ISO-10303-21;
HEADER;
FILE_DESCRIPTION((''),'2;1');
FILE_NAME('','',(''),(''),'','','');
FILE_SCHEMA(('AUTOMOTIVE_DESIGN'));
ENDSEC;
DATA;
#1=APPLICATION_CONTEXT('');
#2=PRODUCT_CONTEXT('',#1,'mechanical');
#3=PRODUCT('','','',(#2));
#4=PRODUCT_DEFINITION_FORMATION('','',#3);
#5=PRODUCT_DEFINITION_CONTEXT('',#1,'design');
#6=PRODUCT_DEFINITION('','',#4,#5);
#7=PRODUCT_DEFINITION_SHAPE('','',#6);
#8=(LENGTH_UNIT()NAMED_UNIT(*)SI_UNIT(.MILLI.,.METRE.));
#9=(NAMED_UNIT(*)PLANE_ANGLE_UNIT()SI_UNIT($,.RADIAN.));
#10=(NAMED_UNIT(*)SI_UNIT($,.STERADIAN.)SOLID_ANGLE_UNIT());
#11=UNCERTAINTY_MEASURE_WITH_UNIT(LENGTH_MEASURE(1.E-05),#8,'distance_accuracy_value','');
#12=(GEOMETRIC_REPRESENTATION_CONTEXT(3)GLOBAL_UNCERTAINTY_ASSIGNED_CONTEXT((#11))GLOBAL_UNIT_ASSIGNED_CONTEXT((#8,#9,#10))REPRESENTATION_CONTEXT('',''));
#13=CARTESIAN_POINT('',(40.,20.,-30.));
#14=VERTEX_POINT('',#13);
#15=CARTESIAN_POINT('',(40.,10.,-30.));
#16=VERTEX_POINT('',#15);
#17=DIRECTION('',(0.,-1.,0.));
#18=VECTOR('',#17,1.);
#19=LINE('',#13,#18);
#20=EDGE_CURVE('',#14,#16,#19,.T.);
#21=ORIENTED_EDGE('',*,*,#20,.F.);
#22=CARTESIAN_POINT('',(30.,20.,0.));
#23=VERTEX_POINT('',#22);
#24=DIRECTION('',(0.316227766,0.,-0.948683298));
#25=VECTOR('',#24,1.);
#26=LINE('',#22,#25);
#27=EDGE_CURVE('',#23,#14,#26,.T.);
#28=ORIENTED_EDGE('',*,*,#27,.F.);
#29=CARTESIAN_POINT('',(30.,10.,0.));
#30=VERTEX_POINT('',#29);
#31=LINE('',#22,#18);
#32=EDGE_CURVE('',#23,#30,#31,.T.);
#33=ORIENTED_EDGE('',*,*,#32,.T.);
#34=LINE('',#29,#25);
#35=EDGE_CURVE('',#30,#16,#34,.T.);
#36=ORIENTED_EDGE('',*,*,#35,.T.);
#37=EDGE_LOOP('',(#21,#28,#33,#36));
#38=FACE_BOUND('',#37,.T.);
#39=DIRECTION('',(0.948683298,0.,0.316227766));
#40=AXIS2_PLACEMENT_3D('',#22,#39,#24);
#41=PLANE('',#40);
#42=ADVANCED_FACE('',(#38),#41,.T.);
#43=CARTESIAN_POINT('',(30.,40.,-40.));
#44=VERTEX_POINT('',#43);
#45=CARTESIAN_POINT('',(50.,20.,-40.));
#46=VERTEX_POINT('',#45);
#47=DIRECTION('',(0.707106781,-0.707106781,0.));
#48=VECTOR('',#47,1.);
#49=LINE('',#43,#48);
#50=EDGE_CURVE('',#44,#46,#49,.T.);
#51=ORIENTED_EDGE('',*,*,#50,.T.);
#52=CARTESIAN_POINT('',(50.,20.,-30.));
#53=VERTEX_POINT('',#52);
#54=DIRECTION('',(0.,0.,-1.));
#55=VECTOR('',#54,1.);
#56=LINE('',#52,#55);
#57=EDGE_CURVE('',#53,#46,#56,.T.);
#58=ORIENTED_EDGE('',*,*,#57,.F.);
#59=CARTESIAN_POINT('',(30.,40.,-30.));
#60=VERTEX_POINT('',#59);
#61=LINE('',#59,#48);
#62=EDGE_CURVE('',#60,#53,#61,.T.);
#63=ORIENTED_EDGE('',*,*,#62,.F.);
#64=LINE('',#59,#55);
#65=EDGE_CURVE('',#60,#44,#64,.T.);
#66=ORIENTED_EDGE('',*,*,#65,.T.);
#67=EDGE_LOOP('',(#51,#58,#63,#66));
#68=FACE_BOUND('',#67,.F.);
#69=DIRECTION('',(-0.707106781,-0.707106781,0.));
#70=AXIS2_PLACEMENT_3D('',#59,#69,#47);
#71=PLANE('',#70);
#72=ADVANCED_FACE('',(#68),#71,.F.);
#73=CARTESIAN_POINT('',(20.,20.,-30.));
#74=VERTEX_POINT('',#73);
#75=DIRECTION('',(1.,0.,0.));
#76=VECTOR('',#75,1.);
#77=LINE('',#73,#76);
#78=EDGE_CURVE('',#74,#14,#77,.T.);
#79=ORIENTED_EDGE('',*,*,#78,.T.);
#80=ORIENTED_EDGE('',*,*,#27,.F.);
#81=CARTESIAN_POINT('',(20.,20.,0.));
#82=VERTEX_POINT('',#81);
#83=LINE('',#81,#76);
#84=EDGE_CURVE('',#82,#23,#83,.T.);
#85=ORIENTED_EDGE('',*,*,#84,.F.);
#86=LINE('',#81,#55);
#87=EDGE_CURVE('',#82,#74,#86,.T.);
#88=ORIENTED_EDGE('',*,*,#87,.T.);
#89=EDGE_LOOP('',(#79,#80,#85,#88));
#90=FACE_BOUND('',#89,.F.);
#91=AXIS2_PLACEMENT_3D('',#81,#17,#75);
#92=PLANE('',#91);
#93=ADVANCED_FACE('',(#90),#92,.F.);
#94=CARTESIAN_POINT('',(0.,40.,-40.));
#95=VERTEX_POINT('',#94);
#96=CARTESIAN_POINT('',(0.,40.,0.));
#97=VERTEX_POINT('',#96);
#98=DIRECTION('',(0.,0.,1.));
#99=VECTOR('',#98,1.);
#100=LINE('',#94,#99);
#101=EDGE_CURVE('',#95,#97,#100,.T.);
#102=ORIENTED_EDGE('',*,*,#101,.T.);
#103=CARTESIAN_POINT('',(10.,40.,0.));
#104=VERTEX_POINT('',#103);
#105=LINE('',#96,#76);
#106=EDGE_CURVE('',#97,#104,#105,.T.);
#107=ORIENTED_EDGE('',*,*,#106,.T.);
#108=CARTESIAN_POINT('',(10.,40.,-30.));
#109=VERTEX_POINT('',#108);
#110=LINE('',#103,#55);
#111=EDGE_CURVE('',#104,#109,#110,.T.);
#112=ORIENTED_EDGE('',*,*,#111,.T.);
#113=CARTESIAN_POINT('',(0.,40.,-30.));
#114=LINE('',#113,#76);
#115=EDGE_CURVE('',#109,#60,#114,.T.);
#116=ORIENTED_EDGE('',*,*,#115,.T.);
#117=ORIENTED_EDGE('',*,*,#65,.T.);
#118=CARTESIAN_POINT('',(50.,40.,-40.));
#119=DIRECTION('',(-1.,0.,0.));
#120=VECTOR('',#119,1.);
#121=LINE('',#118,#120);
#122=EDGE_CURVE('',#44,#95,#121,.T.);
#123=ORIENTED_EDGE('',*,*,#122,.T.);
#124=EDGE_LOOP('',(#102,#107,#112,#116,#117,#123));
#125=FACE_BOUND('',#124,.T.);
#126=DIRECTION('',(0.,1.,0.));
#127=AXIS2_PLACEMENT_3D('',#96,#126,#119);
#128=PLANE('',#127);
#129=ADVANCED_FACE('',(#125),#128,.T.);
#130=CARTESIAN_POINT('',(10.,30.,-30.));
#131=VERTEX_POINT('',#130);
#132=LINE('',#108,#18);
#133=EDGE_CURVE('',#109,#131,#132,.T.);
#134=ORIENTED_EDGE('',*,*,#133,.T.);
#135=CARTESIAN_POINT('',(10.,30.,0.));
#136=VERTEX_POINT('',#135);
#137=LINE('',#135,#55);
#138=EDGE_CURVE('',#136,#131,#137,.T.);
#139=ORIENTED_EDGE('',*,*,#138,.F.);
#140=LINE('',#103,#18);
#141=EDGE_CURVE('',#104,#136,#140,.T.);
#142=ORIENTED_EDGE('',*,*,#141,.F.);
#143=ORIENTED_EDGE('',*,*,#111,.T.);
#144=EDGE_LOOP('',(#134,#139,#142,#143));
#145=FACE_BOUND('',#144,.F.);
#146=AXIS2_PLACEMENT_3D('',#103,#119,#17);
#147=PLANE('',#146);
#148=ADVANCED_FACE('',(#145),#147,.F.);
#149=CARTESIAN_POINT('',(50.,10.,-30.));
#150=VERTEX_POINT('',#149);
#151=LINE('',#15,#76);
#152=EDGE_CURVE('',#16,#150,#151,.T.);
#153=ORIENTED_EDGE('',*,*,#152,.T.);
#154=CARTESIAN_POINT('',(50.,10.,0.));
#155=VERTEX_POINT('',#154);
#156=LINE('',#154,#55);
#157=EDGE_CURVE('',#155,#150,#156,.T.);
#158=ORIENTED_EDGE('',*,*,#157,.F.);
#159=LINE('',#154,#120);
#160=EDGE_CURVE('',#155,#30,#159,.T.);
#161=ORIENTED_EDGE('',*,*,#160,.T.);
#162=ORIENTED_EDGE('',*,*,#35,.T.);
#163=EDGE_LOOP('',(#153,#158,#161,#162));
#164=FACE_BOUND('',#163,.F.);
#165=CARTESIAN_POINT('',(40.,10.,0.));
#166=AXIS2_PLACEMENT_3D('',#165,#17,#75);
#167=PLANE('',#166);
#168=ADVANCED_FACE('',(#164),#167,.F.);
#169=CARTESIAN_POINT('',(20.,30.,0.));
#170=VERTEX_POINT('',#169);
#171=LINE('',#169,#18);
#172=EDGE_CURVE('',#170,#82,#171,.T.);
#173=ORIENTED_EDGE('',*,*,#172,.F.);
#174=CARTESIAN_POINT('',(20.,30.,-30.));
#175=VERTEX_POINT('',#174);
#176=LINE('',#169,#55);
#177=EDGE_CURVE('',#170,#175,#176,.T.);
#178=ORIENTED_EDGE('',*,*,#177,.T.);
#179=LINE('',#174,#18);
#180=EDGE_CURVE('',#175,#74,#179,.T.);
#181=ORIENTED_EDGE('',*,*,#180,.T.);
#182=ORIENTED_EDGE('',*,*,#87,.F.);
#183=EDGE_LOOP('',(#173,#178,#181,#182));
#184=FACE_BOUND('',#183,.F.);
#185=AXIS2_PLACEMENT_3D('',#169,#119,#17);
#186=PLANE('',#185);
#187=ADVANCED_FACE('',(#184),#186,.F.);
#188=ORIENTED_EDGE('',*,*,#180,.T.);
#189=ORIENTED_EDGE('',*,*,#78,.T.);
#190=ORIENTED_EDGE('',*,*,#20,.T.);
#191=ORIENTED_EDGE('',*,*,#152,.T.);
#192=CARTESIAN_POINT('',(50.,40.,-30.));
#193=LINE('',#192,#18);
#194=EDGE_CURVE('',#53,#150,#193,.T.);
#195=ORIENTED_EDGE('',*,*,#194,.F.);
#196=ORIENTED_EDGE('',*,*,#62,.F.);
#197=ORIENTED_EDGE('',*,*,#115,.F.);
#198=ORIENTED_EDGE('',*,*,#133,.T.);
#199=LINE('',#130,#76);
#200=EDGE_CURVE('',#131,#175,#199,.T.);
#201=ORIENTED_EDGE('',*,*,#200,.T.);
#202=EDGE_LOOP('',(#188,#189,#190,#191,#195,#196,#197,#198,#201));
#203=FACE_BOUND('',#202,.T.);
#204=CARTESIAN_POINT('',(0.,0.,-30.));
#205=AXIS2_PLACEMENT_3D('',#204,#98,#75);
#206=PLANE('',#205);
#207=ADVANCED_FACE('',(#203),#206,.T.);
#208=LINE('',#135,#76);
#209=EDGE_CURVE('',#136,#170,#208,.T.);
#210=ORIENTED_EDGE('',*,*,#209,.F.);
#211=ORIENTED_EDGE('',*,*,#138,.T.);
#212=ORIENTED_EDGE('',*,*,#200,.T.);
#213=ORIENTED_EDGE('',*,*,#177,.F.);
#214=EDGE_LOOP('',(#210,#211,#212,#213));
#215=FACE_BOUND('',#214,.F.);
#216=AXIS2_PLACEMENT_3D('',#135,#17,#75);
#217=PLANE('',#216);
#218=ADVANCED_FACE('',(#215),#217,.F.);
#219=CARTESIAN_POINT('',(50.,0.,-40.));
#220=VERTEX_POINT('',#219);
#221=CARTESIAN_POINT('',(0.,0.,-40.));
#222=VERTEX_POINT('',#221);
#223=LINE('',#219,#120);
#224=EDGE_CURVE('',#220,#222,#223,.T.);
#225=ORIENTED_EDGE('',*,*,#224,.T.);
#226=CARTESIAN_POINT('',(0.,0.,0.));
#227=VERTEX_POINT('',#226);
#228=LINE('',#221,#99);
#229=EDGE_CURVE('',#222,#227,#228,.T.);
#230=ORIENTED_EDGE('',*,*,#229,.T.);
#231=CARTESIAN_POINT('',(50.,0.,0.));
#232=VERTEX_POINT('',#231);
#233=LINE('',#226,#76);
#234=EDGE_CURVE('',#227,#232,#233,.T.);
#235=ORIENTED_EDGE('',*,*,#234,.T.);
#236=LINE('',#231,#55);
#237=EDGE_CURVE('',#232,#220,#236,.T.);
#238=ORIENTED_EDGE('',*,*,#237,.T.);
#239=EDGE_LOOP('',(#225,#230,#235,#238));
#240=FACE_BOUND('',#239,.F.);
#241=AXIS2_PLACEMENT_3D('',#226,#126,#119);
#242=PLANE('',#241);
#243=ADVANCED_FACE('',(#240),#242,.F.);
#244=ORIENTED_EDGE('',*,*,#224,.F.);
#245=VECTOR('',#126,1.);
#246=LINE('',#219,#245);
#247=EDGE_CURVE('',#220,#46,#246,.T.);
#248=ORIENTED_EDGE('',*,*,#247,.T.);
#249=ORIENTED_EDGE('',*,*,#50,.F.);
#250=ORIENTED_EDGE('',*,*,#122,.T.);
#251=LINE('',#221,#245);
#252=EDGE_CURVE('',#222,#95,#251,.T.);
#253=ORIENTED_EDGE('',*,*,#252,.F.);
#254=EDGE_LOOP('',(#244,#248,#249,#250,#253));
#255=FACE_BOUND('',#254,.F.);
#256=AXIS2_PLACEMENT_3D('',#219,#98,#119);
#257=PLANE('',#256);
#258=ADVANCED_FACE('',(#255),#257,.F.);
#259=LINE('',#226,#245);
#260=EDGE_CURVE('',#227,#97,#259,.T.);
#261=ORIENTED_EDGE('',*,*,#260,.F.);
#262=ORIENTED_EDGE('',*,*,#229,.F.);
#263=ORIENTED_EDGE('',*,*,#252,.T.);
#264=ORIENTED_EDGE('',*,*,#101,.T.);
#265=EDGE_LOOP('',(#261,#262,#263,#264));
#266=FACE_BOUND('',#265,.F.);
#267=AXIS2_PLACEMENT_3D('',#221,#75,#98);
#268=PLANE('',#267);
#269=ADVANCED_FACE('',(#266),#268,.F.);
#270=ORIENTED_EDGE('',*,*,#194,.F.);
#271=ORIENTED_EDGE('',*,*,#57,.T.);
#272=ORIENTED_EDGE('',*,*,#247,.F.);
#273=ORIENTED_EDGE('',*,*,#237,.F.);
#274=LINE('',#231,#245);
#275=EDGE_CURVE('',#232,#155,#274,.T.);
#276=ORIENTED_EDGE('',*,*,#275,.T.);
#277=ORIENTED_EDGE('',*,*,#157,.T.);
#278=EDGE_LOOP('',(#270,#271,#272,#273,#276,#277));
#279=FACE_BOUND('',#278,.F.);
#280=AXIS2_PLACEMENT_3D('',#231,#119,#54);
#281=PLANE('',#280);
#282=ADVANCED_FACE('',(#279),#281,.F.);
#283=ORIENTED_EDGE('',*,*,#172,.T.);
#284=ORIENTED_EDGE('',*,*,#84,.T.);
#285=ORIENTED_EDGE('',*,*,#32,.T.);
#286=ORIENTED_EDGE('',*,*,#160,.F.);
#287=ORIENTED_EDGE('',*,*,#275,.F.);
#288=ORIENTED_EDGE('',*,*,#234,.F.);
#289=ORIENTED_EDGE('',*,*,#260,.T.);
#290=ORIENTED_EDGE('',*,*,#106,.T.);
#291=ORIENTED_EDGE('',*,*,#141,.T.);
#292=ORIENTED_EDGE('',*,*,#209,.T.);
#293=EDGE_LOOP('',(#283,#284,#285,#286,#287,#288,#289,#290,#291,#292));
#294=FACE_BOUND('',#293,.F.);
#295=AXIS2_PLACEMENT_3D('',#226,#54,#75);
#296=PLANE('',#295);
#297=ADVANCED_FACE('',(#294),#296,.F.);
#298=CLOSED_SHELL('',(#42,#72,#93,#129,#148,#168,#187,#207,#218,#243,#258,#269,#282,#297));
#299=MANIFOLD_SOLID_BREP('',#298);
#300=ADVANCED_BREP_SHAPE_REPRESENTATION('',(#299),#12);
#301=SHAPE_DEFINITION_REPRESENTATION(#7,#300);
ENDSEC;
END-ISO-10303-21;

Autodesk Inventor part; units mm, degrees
ref_plane "YZ Plane" through (0, 0, 0) normal (1, 0, 0) x (0, 1, 0)
ref_plane "XZ Plane" through (0, 0, 0) normal (0, 1, 0) x (-1, 0, 0)
ref_plane "XY Plane" through (0, 0, 0) normal (0, 0, 1) x (1, 0, 0)
sketch "草圖1" plane through (0, 0, 0) normal (0, 1, 0) x (-1, 0, 0)
  line L0 (0, 0) -> (-50, 0)
  line L1 (-50, 0) -> (-50, -40)
  line L2 (-50, -40) -> (0, -40)
  line L3 (0, -40) -> (0, 0)
  dimension "d0" = 50
  dimension "d1" = 40
extrude "擠出1" add sketch "草圖1" along normal blind 40
sketch "草圖2" plane through (0, 0, 0) normal (0, 0, 1) x (1, 0, 0)
  line L0 (0, 0) -> (0, 40) projected
  line L1 (0, 40) -> (50, 40) projected
  line L2 (50, 40) -> (50, 0) projected
  line L3 (50, 0) -> (0, 0) projected
  line L4 (0, 40) -> (50, 40) projected
  line L5 (10, 40) -> (10, 30)
  line L6 (10, 30) -> (20, 30)
  line L7 (20, 30) -> (20, 20)
  line L8 (20, 20) -> (40, 20)
  line L9 (40, 20) -> (40, 10)
  line L10 (40, 10) -> (50, 10)
  dimension "d4" = 10
  dimension "d5" = 20
  dimension "d6" = 30
  dimension "d7" = 10
  dimension "d8" = 20
  dimension "d9" = 40
extrude "擠出2" cut sketch "草圖2" against normal blind 30 contours L1 L2 L10 L9 L8 L7 L6 L5
sketch "草圖3" plane through (0, 0, -30) normal (0, 0, 1) x (1, 0, 0)
  line L0 (10, 40) -> (10, 30) projected
  line L1 (10, 30) -> (20, 30) projected
  line L2 (20, 30) -> (20, 20) projected
  line L3 (20, 20) -> (40, 20) projected
  line L4 (40, 20) -> (40, 10) projected
  line L5 (40, 10) -> (50, 10) projected
  line L6 (50, 40) -> (50, 10) projected
  line L7 (10, 40) -> (50, 40) projected
  line L8 (0, 40) -> (10, 40) projected
  line L9 (0, 0) -> (0, 40) projected
  line L10 (50, 0) -> (0, 0) projected
  line L11 (50, 10) -> (50, 0) projected
  line L12 (30, 40) -> (50, 20)
  dimension "d12" = 20
  dimension "d13" = 20
extrude "擠出3" cut sketch "草圖3" against normal blind 10 contours L7 L6 L12
sketch "草圖4" plane through (20, 20, 0) normal (0, 1, 0) x (1, 0, 0)
  line L0 (20, 30) -> (20, 0) projected
  line L1 (20, 0) -> (0, 0) projected
  line L2 (0, 30) -> (0, 0) projected
  line L3 (20, 30) -> (0, 30) projected
  line L4 (30, 30) -> (20, 30) projected
  line L5 (30, 40) -> (30, 30) projected
  line L6 (-20, 40) -> (30, 40) projected
  line L7 (-20, 0) -> (-20, 40) projected
  line L8 (0, 0) -> (-20, 0) projected
  line L9 (10, 0) -> (20, 30)
  line L10 (20, 30) -> (0, 30) projected
  line L11 (30, 30) -> (30, 0) projected
  point P0 (20, 30)
  dimension "d16" = 10
  dimension "d17" = 20
extrude "擠出4" cut sketch "草圖4" against normal up to surface (10 mm away) contours L0 L1 L9
properties part number "15" material "鋼、碳鋼"
